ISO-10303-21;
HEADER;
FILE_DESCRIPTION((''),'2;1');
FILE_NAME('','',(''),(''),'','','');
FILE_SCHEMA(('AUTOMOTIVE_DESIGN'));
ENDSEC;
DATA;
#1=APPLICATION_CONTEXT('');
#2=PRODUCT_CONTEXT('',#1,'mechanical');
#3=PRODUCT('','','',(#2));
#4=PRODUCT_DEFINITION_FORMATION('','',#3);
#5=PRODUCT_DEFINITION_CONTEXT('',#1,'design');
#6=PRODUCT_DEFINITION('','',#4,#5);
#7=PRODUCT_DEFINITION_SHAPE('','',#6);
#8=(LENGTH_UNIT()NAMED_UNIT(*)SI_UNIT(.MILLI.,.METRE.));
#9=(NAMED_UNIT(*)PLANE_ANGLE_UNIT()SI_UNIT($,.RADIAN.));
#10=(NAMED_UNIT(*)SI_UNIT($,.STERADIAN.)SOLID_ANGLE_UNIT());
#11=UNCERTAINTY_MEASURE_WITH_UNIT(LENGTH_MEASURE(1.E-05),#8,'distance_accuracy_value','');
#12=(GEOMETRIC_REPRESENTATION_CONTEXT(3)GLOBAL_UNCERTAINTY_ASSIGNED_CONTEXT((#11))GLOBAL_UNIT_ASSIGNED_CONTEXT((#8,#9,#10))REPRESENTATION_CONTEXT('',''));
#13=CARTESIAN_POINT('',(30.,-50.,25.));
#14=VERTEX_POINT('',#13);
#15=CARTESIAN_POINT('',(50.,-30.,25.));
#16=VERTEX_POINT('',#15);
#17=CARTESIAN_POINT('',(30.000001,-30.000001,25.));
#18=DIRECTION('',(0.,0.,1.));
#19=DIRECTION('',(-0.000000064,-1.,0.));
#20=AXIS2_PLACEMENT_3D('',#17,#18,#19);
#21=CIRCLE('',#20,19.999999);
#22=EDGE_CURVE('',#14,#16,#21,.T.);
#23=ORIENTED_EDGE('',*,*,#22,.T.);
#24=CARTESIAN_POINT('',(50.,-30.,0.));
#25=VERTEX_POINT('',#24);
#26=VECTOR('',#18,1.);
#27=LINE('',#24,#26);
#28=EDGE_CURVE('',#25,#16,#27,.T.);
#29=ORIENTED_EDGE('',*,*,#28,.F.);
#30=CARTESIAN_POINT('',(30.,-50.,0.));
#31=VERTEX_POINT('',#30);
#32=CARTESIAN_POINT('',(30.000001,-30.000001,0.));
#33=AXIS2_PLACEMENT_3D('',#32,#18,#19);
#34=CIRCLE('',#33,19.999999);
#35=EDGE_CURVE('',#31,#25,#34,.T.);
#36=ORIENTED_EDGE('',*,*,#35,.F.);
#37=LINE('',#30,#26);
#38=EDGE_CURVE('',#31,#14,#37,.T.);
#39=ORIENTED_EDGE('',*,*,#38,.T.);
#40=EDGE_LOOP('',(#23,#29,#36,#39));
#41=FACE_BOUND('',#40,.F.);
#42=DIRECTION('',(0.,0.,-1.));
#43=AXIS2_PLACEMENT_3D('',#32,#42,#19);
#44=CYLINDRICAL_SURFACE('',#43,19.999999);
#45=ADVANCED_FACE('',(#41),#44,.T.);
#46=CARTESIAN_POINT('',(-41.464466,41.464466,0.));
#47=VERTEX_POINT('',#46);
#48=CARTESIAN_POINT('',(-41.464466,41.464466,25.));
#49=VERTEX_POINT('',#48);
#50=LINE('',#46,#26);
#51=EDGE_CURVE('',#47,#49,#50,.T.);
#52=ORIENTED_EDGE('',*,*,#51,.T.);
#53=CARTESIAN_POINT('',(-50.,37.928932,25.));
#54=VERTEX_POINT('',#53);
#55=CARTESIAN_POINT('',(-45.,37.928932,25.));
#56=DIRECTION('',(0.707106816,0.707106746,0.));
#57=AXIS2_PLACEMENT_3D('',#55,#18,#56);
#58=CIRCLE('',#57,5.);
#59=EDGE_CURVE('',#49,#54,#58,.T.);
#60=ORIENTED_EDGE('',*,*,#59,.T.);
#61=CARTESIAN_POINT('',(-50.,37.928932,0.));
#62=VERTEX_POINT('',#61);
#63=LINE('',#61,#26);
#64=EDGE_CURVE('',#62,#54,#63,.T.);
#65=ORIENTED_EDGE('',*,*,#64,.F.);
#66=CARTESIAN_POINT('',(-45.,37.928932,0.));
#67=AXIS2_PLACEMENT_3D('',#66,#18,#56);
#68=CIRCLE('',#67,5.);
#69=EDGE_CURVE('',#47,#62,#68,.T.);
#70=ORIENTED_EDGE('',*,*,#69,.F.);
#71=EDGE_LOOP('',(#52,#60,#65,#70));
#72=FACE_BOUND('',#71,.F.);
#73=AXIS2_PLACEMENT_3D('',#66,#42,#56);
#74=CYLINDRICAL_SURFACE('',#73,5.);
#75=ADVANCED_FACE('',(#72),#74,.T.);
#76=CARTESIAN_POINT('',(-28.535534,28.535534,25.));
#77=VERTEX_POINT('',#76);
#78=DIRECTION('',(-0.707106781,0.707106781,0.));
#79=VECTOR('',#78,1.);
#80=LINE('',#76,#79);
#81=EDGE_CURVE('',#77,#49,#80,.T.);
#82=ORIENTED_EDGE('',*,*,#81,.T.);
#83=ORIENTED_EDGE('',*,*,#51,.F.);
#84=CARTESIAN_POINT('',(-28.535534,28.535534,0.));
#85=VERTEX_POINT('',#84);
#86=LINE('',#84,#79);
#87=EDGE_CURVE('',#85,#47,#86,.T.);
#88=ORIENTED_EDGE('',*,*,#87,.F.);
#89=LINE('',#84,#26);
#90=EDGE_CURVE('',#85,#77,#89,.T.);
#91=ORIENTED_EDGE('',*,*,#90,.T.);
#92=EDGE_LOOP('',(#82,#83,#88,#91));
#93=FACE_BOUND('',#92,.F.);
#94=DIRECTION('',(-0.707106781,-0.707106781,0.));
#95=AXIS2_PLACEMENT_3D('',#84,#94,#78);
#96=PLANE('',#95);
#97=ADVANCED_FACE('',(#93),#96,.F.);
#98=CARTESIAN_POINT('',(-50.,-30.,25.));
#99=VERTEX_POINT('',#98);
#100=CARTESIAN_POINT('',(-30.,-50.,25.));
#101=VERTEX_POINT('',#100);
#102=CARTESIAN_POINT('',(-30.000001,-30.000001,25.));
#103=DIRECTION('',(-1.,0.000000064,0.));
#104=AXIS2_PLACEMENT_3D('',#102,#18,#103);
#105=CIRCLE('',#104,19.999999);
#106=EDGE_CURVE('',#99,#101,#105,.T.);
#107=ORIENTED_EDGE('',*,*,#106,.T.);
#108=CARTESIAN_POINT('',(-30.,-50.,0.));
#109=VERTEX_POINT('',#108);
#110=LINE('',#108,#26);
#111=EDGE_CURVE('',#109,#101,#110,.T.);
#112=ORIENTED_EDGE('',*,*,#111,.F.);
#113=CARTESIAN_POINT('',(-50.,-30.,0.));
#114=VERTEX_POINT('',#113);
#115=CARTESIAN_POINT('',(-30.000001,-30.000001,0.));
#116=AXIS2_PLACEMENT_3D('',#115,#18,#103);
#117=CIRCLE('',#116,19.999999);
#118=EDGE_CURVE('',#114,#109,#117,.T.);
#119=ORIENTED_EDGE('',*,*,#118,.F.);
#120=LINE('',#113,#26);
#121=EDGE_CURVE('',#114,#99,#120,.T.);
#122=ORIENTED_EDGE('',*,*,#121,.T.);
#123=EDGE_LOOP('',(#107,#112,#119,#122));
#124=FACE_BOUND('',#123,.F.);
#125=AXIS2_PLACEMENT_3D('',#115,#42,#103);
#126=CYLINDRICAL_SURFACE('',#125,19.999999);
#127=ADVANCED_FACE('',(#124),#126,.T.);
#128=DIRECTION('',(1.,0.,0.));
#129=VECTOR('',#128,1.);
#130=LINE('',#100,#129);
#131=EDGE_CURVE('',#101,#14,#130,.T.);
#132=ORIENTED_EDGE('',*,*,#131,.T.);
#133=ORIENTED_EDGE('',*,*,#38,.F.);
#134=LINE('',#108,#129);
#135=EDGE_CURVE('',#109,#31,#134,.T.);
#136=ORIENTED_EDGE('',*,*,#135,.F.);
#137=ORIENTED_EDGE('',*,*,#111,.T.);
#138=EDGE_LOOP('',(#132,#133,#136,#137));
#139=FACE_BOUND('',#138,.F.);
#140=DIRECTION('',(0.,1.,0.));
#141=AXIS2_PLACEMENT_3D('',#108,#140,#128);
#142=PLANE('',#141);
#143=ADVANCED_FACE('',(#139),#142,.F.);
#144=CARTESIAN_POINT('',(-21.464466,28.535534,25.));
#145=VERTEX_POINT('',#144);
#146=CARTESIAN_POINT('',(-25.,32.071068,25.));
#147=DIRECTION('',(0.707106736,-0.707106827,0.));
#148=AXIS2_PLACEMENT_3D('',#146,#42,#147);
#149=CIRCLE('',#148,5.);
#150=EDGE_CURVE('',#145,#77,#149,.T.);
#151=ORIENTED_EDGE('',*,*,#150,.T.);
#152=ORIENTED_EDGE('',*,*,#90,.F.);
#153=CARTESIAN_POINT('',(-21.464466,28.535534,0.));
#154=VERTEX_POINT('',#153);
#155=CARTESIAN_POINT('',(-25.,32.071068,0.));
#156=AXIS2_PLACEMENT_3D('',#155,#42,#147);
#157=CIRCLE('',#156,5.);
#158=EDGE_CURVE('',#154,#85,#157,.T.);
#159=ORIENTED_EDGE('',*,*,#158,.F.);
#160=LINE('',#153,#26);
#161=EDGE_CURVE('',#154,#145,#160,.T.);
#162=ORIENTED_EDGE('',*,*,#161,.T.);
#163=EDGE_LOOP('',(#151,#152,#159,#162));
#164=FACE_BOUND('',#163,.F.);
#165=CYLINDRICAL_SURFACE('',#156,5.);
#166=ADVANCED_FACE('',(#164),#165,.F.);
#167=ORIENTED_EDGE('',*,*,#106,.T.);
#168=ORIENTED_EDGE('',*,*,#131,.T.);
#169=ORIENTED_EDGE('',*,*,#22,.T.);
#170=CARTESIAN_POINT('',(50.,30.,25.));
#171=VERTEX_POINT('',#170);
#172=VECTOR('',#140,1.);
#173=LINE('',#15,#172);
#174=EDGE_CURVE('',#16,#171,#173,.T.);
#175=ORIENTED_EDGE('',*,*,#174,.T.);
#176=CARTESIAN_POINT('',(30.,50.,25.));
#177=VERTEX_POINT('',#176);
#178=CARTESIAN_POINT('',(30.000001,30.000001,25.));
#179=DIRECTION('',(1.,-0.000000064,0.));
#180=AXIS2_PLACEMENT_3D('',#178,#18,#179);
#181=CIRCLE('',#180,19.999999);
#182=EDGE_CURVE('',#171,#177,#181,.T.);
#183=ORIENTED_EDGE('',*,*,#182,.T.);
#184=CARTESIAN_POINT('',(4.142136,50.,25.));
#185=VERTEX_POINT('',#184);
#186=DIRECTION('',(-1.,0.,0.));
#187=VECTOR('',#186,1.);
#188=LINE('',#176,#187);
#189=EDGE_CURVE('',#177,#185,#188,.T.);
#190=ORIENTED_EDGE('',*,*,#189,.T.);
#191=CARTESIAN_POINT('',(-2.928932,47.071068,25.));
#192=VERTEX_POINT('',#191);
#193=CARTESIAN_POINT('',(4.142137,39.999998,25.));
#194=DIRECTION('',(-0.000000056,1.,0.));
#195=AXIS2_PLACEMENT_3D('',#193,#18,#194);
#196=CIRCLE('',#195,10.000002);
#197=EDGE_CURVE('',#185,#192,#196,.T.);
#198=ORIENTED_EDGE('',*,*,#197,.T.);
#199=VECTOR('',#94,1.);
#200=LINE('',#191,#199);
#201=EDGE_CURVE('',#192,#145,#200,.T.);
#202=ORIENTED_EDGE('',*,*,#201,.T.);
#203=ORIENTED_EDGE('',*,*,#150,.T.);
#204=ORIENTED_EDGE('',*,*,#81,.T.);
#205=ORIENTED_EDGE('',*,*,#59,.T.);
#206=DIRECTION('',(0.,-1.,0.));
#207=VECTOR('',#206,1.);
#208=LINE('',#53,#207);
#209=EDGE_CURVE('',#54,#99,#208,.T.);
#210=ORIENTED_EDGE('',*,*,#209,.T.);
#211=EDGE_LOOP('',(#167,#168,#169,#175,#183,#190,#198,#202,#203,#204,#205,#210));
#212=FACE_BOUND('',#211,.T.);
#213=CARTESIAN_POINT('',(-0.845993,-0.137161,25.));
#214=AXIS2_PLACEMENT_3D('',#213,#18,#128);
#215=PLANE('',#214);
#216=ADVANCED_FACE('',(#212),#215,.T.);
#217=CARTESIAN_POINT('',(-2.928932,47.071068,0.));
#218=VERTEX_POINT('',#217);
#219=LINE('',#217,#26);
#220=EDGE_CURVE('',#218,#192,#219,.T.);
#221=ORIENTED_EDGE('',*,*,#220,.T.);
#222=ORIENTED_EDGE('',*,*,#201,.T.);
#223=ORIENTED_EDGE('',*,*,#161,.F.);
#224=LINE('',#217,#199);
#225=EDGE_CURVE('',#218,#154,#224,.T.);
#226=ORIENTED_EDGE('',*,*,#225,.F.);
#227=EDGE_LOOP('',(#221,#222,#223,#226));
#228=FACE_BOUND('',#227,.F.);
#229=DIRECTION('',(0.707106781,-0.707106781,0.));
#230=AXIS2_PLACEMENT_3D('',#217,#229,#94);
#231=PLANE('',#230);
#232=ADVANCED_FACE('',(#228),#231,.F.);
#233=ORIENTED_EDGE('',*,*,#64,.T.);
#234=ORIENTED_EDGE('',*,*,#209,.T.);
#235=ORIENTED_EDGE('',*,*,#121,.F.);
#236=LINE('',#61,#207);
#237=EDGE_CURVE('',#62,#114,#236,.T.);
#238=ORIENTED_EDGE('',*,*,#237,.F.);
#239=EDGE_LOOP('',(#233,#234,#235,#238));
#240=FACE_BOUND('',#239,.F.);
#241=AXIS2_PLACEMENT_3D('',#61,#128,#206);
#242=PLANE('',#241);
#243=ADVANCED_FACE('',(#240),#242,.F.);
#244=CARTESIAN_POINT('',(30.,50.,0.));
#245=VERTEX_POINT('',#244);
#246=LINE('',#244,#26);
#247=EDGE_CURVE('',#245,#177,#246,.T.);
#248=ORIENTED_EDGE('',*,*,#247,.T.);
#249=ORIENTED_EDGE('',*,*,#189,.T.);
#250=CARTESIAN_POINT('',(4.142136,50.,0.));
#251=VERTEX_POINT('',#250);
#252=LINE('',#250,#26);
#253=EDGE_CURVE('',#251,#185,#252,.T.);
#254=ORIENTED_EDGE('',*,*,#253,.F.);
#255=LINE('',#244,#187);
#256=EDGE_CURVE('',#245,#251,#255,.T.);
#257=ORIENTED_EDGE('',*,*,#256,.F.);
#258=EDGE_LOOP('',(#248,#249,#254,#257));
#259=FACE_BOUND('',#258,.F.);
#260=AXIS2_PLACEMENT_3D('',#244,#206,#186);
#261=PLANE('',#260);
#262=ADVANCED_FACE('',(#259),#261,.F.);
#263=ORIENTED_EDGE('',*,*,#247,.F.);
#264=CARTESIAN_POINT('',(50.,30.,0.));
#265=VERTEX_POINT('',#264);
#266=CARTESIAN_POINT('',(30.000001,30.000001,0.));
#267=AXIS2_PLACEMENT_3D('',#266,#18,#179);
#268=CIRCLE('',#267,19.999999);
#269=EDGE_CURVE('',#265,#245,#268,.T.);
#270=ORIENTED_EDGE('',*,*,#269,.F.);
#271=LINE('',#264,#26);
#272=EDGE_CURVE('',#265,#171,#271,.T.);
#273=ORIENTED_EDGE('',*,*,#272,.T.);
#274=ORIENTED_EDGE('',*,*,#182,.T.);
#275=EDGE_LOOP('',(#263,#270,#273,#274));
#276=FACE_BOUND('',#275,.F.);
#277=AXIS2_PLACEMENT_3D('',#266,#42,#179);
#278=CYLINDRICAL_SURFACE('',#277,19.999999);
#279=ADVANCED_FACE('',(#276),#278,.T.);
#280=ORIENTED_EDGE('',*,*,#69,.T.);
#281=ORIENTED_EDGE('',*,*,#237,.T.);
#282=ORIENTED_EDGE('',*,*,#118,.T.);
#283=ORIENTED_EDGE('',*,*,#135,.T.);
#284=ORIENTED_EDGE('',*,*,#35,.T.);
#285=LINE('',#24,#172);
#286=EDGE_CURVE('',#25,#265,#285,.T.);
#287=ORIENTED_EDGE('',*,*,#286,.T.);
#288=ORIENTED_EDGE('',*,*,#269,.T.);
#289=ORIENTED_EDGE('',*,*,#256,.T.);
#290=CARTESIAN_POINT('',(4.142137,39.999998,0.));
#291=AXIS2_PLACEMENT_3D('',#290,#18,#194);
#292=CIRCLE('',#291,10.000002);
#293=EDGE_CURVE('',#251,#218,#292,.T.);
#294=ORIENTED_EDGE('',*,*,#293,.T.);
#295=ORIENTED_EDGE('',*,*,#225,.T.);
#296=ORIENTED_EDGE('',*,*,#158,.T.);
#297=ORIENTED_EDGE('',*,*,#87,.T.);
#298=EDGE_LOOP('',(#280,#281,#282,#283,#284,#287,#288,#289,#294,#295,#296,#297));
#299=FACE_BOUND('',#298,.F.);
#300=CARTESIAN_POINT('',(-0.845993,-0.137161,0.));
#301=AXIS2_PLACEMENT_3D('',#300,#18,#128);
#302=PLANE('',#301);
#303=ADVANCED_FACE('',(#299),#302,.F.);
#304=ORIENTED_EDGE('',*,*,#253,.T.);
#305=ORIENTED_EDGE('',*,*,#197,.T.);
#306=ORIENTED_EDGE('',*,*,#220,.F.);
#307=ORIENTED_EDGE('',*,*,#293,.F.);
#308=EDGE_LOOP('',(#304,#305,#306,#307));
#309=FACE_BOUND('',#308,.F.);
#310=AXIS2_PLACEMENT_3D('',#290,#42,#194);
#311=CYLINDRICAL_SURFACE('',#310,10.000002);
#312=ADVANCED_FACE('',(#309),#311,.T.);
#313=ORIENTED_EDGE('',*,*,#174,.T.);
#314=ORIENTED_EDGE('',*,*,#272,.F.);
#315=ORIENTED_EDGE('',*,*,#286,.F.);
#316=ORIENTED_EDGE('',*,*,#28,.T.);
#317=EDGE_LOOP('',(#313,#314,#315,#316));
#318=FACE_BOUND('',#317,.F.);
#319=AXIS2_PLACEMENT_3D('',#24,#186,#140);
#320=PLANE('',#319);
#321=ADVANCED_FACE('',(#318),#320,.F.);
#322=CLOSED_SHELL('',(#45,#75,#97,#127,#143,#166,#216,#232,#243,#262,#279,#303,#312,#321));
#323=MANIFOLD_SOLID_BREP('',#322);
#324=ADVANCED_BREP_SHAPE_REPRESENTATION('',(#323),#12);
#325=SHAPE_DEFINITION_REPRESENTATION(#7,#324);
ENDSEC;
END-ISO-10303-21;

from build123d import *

# Parameters (mm, degrees)
F1_DEPTH = 25


with BuildPart() as f1:
    # F0 (on Top) → F1 (new body)
    with BuildSketch(Plane.XY):
        with BuildLine():
            ThreePointArc((50, 30), (44.142136, 44.142136), (30, 50))
            Line((30, 50), (4.142136, 50))
            ThreePointArc((4.142136, 50), (0.315301, 49.238795), (-2.928932, 47.071068))
            Line((-2.928932, 47.071068), (-21.464466, 28.535534))
            ThreePointArc((-21.464466, 28.535534), (-25, 27.071068), (-28.535534, 28.535534))
            Line((-28.535534, 28.535534), (-41.464466, 41.464466))
            ThreePointArc((-41.464466, 41.464466), (-46.913417, 42.54833), (-50, 37.928932))
            Line((-50, 37.928932), (-50, -30))
            ThreePointArc((-50, -30), (-44.142136, -44.142136), (-30, -50))
            Line((-30, -50), (30, -50))
            ThreePointArc((30, -50), (44.142136, -44.142136), (50, -30))
            Line((50, -30), (50, 30))
        make_face()
    extrude(amount=F1_DEPTH)


solid = f1.part
